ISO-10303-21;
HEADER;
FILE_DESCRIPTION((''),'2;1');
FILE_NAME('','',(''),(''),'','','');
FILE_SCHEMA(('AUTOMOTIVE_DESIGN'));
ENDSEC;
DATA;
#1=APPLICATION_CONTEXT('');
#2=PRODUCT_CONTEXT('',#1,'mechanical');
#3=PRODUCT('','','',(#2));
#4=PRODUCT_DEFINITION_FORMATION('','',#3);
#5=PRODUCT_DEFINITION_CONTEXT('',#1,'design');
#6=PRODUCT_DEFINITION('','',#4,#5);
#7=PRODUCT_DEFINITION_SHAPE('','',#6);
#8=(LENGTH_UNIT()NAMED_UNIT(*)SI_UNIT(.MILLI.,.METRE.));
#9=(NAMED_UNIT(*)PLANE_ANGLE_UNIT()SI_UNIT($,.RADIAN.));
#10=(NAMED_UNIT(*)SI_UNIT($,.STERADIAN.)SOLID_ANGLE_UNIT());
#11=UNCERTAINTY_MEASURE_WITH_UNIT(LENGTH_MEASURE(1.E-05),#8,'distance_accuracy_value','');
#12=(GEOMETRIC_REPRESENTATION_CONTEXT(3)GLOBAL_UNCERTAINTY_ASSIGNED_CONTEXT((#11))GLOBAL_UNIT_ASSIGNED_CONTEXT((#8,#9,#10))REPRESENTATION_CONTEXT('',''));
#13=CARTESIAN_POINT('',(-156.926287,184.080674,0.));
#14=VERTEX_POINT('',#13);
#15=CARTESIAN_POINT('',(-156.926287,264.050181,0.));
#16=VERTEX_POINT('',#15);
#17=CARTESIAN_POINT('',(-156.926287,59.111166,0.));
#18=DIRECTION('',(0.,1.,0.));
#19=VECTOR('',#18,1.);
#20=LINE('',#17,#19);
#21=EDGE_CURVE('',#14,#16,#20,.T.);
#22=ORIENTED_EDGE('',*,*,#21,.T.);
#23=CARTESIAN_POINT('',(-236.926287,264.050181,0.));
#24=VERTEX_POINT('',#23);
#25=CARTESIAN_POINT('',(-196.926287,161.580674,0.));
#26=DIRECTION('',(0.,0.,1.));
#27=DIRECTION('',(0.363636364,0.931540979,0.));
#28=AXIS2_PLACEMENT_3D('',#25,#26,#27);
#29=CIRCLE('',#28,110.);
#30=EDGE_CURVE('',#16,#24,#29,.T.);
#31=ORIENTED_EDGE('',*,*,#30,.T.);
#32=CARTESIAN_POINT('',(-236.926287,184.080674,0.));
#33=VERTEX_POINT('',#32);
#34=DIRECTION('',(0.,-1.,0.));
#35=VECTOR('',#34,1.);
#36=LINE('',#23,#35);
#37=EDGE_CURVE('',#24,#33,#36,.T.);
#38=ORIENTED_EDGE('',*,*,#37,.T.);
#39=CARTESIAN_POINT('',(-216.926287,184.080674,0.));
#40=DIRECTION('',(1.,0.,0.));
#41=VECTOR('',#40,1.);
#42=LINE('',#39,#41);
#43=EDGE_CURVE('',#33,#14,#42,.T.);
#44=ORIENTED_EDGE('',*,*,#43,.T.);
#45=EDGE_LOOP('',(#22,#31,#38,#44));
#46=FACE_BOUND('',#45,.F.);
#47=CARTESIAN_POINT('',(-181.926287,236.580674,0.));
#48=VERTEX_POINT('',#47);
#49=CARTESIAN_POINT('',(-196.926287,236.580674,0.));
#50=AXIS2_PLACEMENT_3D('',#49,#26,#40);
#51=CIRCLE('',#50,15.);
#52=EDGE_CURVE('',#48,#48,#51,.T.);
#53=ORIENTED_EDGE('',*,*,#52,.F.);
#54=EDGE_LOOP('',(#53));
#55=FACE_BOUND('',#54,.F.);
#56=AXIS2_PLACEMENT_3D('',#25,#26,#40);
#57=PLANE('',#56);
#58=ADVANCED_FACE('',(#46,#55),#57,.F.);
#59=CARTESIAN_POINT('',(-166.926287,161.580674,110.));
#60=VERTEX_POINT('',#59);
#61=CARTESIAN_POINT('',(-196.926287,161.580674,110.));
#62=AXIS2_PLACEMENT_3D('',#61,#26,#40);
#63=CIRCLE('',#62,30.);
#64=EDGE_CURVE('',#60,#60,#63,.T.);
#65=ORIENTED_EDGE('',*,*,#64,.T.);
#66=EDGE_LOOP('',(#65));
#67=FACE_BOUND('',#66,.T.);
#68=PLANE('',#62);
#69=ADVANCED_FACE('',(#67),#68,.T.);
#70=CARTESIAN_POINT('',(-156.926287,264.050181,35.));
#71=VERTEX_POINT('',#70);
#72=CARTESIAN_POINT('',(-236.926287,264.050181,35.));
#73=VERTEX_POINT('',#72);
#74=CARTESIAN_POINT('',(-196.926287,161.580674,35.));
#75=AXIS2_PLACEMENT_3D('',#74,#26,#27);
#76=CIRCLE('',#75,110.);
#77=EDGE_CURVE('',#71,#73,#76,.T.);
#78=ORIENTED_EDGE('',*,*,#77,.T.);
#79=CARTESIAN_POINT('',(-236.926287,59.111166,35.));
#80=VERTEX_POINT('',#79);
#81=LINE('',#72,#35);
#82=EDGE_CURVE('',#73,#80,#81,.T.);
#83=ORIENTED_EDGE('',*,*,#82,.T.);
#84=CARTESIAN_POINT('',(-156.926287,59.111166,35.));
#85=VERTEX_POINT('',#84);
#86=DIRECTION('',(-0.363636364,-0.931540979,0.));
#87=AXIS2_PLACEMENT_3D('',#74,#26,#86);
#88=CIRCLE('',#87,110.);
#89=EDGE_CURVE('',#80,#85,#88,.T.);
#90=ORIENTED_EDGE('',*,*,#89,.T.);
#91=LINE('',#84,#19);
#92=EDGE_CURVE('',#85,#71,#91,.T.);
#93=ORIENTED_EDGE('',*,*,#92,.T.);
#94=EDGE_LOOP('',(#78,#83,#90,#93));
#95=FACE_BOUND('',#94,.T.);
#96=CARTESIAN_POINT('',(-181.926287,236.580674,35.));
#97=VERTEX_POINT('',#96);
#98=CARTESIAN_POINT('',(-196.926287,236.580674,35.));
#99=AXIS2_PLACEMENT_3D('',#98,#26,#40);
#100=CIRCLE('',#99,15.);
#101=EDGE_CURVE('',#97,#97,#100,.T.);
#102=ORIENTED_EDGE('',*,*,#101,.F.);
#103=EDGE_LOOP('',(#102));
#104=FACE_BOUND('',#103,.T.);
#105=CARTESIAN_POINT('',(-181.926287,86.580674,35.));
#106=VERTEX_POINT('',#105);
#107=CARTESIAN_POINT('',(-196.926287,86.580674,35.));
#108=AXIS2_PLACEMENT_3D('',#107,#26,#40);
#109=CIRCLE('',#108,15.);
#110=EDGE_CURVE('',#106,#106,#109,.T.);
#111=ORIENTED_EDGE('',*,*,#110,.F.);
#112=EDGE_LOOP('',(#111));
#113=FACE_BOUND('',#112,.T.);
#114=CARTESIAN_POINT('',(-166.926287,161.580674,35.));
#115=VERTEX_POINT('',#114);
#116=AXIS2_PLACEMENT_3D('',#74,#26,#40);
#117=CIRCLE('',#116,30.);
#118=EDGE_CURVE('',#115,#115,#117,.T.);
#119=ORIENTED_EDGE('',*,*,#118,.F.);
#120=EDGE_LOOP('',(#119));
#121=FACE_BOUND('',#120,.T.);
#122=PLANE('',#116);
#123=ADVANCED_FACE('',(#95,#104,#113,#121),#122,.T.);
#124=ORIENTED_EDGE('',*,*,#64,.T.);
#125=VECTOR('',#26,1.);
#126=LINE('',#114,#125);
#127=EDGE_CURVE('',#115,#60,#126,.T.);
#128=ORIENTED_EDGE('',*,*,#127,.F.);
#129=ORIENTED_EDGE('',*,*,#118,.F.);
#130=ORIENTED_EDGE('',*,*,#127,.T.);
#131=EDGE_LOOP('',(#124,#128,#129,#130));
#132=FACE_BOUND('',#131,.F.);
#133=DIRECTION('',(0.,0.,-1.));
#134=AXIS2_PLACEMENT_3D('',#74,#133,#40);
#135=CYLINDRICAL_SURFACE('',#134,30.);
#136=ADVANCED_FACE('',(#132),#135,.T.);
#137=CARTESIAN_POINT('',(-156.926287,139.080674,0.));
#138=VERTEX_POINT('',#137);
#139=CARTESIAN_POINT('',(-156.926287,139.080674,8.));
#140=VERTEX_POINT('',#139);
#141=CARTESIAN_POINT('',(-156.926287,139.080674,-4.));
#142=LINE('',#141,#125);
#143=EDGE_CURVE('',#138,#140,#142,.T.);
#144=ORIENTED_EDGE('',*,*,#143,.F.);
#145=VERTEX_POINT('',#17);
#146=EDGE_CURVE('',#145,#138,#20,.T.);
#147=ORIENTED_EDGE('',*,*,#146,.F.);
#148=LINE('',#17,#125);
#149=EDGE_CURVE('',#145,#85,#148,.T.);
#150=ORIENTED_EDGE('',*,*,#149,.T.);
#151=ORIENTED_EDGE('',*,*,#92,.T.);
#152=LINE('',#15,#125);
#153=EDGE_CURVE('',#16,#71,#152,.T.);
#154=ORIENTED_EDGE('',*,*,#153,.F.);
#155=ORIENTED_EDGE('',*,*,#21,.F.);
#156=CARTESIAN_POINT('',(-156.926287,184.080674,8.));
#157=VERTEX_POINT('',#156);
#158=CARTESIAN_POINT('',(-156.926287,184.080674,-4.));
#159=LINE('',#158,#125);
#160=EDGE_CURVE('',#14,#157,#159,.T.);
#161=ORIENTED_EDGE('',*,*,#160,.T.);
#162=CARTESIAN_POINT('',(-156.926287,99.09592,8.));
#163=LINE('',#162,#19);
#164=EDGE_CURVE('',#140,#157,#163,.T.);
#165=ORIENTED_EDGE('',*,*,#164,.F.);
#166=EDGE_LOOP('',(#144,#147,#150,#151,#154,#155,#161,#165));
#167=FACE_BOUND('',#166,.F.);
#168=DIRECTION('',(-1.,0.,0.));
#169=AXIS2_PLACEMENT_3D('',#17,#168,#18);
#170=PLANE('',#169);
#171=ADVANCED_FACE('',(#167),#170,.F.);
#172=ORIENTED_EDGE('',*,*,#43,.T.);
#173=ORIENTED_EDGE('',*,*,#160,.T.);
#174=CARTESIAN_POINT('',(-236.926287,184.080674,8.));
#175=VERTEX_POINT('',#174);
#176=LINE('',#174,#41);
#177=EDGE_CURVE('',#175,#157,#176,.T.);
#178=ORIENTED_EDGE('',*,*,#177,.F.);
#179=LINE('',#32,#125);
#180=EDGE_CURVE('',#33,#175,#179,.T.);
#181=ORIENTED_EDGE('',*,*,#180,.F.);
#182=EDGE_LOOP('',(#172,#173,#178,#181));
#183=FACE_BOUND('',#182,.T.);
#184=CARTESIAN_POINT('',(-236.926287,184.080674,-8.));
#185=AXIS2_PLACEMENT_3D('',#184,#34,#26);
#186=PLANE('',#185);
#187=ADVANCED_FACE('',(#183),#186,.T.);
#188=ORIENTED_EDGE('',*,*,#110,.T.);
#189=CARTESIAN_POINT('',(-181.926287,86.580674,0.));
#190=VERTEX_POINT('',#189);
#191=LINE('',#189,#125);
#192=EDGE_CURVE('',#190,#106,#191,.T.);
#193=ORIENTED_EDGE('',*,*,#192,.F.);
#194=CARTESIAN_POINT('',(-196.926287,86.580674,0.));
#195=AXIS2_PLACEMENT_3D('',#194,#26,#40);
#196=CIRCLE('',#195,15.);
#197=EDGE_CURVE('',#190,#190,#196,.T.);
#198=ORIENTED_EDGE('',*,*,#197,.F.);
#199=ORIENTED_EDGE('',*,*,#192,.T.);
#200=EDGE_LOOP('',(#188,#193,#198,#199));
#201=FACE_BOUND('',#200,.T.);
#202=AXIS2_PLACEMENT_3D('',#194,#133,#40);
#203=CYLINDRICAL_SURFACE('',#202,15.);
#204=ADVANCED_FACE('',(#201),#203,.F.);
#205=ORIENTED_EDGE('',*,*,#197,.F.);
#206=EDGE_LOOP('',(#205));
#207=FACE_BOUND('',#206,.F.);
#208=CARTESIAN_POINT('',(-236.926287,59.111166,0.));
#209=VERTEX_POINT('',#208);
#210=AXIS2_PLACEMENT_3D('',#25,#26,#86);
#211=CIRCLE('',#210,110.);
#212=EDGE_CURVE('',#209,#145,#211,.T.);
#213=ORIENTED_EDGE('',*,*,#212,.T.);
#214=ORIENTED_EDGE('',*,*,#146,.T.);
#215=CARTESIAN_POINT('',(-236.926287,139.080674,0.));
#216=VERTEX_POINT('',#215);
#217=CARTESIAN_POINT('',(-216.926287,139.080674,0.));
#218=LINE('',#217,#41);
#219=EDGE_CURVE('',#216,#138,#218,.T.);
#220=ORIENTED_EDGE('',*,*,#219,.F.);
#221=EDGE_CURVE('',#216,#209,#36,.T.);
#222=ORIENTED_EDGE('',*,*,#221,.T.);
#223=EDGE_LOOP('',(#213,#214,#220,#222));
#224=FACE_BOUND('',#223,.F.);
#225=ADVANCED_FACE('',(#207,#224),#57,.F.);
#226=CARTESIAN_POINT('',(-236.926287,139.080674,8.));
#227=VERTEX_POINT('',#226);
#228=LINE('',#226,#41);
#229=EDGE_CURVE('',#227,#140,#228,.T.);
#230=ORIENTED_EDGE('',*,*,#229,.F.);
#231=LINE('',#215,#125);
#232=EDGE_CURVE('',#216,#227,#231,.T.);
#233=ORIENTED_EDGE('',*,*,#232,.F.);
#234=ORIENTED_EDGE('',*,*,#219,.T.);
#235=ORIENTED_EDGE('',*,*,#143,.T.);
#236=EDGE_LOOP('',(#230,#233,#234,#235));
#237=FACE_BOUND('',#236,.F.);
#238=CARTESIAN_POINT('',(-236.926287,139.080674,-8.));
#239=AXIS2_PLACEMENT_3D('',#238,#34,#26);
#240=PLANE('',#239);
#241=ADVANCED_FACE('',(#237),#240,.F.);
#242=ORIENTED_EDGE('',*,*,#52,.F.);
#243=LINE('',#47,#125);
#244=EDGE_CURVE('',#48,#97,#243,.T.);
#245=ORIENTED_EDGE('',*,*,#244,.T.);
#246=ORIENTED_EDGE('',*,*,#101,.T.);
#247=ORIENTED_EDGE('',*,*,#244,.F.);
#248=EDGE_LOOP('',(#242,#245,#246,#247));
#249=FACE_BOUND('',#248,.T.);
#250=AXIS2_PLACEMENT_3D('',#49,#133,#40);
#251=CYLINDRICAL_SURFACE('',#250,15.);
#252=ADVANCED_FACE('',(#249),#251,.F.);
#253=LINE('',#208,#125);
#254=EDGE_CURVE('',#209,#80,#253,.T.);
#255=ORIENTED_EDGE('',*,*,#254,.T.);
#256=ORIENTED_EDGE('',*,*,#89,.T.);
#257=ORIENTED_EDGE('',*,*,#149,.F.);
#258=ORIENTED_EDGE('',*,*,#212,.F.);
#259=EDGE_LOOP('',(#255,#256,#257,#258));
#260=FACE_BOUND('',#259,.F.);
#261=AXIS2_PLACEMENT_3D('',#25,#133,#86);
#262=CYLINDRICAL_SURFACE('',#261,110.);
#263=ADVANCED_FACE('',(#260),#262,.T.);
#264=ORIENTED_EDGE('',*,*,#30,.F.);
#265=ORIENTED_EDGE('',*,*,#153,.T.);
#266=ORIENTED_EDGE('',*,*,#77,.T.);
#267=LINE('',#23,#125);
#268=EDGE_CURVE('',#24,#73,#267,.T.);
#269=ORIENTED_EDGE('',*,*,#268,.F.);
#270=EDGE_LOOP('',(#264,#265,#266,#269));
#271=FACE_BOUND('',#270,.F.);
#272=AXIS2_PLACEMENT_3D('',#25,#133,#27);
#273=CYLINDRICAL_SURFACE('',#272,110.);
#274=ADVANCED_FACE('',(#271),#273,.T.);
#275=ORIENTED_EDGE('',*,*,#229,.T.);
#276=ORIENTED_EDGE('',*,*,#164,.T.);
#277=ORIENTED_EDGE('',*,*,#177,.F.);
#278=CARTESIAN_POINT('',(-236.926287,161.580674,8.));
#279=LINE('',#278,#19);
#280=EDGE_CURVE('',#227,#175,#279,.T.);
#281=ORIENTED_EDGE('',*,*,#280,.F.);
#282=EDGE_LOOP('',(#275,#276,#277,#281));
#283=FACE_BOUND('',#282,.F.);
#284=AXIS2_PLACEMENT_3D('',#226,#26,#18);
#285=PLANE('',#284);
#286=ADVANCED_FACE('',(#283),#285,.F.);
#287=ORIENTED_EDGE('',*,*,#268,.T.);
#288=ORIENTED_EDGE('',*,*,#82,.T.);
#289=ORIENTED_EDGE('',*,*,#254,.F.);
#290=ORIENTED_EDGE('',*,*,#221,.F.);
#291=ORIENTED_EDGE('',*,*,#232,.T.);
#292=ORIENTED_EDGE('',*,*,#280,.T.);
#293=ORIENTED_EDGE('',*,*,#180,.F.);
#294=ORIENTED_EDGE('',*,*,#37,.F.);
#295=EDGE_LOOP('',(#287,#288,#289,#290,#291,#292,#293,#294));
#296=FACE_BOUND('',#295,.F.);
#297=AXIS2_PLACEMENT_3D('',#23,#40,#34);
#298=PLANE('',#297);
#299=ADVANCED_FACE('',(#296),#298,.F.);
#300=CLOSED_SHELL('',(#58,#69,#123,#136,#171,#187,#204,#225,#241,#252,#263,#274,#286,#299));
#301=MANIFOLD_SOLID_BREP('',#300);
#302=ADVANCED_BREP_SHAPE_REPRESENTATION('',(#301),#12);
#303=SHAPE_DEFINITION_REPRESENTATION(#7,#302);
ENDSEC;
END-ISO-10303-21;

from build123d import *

# Parameters (mm, degrees)
SKETCH1_R           = 15
BOSS_EXTRUDE1_DEPTH = 35
SKETCH2_R           = 30
BOSS_EXTRUDE2_DEPTH = 75
SKETCH6_W           = 16
SKETCH6_H           = 45
CUT_EXTRUDE2_DEPTH  = 350


with BuildPart() as part:
    # Sketch1 → Boss-Extrude1 (new body)
    with BuildSketch(Plane.XY):
        with BuildLine():
            Line((-236.926286623, 264.050181211), (-236.926286623, 59.111165891))
            ThreePointArc((-236.926286623, 59.111165891), (-196.926286623, 51.580673551), (-156.926286623, 59.111165891))
            Line((-156.926286623, 59.111165891), (-156.926286623, 264.050181211))
            ThreePointArc((-156.926286623, 264.050181211), (-196.926286623, 271.580673551), (-236.926286623, 264.050181211))
        make_face()
        with Locations((-196.926286623, 236.580673551)):
            Circle(SKETCH1_R, mode=Mode.SUBTRACT)
        with Locations((-196.926286623, 86.580673551)):
            Circle(SKETCH1_R, mode=Mode.SUBTRACT)
    extrude(amount=BOSS_EXTRUDE1_DEPTH)

    # Sketch2 → Boss-Extrude2 (add)
    with BuildSketch(Plane.XY.offset(35)):
        with Locations((-196.926286623, 161.580673551)):
            Circle(SKETCH2_R)
    extrude(amount=BOSS_EXTRUDE2_DEPTH)

    # Sketch6 → Cut-Extrude2 (cut)
    with BuildSketch(Plane.ZY.offset(236.926286623)):
        with Locations((0, 161.580673551)):
            Rectangle(SKETCH6_W, SKETCH6_H)
    extrude(amount=-CUT_EXTRUDE2_DEPTH, mode=Mode.SUBTRACT)


solid = part.part
